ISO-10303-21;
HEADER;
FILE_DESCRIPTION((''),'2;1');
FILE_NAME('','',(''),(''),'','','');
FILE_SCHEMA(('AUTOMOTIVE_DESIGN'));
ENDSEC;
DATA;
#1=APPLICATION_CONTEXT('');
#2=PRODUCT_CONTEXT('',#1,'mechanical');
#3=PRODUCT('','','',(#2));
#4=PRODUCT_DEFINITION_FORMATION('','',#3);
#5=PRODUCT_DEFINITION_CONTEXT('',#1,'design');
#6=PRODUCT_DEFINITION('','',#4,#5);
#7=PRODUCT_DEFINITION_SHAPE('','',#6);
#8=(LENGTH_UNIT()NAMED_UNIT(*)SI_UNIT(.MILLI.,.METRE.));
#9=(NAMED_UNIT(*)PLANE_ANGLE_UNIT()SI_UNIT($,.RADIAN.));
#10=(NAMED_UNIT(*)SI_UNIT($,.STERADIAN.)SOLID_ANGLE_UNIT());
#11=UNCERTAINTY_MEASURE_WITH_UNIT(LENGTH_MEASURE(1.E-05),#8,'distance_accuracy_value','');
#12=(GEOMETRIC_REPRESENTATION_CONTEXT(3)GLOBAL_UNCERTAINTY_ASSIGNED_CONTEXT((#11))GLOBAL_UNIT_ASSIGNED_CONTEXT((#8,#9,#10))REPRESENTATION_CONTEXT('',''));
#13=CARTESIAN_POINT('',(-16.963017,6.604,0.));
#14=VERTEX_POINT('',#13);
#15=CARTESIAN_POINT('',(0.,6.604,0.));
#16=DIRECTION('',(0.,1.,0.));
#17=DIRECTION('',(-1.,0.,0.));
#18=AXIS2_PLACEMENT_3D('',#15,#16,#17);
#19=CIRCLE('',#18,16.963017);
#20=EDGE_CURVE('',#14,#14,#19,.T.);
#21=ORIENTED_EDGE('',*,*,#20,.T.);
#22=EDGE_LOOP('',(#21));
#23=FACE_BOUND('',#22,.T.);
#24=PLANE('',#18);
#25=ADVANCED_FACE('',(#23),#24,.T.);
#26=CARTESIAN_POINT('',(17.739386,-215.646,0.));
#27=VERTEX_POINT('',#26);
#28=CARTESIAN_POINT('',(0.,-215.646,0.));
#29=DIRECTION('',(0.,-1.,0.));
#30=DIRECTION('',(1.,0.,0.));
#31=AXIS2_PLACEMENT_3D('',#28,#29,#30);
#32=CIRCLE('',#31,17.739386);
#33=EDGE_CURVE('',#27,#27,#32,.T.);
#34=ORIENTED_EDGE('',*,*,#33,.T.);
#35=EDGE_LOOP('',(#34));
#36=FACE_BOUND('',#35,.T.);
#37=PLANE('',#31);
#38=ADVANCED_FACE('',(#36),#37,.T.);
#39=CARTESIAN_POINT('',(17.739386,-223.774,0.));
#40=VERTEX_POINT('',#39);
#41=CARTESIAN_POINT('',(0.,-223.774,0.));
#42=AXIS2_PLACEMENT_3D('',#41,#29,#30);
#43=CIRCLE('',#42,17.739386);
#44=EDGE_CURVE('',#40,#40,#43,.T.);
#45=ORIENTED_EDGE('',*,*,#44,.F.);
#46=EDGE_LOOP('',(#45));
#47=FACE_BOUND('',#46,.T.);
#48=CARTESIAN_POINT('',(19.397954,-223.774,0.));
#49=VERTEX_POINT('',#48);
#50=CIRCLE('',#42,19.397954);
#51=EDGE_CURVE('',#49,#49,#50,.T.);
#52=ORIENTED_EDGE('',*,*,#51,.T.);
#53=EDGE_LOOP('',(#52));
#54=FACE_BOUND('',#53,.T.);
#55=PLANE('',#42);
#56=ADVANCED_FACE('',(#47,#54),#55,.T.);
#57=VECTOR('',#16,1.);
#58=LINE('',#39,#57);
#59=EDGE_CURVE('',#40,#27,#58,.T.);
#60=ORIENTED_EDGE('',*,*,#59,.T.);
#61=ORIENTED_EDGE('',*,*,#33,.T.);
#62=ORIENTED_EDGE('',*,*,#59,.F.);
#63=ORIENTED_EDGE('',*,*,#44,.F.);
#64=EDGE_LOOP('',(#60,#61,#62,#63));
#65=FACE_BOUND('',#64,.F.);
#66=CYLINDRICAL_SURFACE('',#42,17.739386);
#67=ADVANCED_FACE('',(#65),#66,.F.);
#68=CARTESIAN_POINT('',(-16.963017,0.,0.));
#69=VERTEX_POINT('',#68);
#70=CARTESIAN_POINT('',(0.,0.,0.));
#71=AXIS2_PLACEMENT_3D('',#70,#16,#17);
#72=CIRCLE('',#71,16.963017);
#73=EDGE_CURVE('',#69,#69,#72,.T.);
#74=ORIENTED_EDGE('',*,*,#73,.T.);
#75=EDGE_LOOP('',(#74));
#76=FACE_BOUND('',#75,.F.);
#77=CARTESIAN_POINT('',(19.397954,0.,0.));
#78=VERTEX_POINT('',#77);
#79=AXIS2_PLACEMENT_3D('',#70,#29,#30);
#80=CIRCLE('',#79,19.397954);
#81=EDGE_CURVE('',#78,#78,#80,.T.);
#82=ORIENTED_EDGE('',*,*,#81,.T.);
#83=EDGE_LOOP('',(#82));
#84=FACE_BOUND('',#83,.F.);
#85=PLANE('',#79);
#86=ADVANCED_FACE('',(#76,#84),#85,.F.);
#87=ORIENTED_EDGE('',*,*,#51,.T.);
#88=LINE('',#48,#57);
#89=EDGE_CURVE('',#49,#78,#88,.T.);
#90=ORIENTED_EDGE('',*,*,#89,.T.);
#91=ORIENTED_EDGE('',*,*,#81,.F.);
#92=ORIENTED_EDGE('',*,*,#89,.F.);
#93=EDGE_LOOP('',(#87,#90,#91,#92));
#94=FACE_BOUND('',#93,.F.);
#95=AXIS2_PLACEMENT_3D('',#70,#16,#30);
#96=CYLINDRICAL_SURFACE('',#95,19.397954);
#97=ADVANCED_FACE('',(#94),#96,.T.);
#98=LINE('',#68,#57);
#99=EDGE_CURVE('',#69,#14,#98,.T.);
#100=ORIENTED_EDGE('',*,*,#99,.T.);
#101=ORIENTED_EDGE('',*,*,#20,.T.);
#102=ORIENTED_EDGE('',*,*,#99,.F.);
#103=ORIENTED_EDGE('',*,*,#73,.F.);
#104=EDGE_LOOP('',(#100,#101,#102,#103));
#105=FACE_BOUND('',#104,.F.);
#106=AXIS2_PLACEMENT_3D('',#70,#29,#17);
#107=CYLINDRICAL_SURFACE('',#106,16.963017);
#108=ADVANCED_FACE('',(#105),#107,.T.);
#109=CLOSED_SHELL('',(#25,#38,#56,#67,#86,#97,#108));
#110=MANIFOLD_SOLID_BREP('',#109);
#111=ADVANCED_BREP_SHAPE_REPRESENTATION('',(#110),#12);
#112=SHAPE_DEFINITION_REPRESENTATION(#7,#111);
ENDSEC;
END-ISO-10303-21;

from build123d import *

# Parameters (mm, degrees)
F0_R      = 19.397954
F1_DEPTH  = 223.774
F2_R      = 16.963017
F3_DEPTH  = 6.604
F1_FACE_R = 19.397954
F4_DEPTH  = 5.08
F5_R      = 17.739386
F6_DEPTH  = 8.128


with BuildPart() as f1:
    # F0 (on Front) → F1 (new body)
    with BuildSketch(Plane.XZ):
        Circle(F0_R)
    extrude(amount=F1_DEPTH)

    # F2 (on face) → F3 (join)
    with BuildSketch(Plane(origin=(0, 0, 0), x_dir=(-1, 0, 0), z_dir=(0, 1, 0))):
        Circle(F2_R)
    extrude(amount=F3_DEPTH)

    # F1_face (on face) → F4 (join)
    with BuildSketch(Plane(origin=(0, 0, 0), x_dir=(1, 0, 0), z_dir=(0, 1, 0))):
        Circle(F1_FACE_R)
    extrude(amount=-F4_DEPTH)

    # F5 (on face) → F6 (cut)
    with BuildSketch(Plane.XZ.offset(223.774)):
        Circle(F5_R)
    extrude(amount=-F6_DEPTH, mode=Mode.SUBTRACT)


solid = f1.part
